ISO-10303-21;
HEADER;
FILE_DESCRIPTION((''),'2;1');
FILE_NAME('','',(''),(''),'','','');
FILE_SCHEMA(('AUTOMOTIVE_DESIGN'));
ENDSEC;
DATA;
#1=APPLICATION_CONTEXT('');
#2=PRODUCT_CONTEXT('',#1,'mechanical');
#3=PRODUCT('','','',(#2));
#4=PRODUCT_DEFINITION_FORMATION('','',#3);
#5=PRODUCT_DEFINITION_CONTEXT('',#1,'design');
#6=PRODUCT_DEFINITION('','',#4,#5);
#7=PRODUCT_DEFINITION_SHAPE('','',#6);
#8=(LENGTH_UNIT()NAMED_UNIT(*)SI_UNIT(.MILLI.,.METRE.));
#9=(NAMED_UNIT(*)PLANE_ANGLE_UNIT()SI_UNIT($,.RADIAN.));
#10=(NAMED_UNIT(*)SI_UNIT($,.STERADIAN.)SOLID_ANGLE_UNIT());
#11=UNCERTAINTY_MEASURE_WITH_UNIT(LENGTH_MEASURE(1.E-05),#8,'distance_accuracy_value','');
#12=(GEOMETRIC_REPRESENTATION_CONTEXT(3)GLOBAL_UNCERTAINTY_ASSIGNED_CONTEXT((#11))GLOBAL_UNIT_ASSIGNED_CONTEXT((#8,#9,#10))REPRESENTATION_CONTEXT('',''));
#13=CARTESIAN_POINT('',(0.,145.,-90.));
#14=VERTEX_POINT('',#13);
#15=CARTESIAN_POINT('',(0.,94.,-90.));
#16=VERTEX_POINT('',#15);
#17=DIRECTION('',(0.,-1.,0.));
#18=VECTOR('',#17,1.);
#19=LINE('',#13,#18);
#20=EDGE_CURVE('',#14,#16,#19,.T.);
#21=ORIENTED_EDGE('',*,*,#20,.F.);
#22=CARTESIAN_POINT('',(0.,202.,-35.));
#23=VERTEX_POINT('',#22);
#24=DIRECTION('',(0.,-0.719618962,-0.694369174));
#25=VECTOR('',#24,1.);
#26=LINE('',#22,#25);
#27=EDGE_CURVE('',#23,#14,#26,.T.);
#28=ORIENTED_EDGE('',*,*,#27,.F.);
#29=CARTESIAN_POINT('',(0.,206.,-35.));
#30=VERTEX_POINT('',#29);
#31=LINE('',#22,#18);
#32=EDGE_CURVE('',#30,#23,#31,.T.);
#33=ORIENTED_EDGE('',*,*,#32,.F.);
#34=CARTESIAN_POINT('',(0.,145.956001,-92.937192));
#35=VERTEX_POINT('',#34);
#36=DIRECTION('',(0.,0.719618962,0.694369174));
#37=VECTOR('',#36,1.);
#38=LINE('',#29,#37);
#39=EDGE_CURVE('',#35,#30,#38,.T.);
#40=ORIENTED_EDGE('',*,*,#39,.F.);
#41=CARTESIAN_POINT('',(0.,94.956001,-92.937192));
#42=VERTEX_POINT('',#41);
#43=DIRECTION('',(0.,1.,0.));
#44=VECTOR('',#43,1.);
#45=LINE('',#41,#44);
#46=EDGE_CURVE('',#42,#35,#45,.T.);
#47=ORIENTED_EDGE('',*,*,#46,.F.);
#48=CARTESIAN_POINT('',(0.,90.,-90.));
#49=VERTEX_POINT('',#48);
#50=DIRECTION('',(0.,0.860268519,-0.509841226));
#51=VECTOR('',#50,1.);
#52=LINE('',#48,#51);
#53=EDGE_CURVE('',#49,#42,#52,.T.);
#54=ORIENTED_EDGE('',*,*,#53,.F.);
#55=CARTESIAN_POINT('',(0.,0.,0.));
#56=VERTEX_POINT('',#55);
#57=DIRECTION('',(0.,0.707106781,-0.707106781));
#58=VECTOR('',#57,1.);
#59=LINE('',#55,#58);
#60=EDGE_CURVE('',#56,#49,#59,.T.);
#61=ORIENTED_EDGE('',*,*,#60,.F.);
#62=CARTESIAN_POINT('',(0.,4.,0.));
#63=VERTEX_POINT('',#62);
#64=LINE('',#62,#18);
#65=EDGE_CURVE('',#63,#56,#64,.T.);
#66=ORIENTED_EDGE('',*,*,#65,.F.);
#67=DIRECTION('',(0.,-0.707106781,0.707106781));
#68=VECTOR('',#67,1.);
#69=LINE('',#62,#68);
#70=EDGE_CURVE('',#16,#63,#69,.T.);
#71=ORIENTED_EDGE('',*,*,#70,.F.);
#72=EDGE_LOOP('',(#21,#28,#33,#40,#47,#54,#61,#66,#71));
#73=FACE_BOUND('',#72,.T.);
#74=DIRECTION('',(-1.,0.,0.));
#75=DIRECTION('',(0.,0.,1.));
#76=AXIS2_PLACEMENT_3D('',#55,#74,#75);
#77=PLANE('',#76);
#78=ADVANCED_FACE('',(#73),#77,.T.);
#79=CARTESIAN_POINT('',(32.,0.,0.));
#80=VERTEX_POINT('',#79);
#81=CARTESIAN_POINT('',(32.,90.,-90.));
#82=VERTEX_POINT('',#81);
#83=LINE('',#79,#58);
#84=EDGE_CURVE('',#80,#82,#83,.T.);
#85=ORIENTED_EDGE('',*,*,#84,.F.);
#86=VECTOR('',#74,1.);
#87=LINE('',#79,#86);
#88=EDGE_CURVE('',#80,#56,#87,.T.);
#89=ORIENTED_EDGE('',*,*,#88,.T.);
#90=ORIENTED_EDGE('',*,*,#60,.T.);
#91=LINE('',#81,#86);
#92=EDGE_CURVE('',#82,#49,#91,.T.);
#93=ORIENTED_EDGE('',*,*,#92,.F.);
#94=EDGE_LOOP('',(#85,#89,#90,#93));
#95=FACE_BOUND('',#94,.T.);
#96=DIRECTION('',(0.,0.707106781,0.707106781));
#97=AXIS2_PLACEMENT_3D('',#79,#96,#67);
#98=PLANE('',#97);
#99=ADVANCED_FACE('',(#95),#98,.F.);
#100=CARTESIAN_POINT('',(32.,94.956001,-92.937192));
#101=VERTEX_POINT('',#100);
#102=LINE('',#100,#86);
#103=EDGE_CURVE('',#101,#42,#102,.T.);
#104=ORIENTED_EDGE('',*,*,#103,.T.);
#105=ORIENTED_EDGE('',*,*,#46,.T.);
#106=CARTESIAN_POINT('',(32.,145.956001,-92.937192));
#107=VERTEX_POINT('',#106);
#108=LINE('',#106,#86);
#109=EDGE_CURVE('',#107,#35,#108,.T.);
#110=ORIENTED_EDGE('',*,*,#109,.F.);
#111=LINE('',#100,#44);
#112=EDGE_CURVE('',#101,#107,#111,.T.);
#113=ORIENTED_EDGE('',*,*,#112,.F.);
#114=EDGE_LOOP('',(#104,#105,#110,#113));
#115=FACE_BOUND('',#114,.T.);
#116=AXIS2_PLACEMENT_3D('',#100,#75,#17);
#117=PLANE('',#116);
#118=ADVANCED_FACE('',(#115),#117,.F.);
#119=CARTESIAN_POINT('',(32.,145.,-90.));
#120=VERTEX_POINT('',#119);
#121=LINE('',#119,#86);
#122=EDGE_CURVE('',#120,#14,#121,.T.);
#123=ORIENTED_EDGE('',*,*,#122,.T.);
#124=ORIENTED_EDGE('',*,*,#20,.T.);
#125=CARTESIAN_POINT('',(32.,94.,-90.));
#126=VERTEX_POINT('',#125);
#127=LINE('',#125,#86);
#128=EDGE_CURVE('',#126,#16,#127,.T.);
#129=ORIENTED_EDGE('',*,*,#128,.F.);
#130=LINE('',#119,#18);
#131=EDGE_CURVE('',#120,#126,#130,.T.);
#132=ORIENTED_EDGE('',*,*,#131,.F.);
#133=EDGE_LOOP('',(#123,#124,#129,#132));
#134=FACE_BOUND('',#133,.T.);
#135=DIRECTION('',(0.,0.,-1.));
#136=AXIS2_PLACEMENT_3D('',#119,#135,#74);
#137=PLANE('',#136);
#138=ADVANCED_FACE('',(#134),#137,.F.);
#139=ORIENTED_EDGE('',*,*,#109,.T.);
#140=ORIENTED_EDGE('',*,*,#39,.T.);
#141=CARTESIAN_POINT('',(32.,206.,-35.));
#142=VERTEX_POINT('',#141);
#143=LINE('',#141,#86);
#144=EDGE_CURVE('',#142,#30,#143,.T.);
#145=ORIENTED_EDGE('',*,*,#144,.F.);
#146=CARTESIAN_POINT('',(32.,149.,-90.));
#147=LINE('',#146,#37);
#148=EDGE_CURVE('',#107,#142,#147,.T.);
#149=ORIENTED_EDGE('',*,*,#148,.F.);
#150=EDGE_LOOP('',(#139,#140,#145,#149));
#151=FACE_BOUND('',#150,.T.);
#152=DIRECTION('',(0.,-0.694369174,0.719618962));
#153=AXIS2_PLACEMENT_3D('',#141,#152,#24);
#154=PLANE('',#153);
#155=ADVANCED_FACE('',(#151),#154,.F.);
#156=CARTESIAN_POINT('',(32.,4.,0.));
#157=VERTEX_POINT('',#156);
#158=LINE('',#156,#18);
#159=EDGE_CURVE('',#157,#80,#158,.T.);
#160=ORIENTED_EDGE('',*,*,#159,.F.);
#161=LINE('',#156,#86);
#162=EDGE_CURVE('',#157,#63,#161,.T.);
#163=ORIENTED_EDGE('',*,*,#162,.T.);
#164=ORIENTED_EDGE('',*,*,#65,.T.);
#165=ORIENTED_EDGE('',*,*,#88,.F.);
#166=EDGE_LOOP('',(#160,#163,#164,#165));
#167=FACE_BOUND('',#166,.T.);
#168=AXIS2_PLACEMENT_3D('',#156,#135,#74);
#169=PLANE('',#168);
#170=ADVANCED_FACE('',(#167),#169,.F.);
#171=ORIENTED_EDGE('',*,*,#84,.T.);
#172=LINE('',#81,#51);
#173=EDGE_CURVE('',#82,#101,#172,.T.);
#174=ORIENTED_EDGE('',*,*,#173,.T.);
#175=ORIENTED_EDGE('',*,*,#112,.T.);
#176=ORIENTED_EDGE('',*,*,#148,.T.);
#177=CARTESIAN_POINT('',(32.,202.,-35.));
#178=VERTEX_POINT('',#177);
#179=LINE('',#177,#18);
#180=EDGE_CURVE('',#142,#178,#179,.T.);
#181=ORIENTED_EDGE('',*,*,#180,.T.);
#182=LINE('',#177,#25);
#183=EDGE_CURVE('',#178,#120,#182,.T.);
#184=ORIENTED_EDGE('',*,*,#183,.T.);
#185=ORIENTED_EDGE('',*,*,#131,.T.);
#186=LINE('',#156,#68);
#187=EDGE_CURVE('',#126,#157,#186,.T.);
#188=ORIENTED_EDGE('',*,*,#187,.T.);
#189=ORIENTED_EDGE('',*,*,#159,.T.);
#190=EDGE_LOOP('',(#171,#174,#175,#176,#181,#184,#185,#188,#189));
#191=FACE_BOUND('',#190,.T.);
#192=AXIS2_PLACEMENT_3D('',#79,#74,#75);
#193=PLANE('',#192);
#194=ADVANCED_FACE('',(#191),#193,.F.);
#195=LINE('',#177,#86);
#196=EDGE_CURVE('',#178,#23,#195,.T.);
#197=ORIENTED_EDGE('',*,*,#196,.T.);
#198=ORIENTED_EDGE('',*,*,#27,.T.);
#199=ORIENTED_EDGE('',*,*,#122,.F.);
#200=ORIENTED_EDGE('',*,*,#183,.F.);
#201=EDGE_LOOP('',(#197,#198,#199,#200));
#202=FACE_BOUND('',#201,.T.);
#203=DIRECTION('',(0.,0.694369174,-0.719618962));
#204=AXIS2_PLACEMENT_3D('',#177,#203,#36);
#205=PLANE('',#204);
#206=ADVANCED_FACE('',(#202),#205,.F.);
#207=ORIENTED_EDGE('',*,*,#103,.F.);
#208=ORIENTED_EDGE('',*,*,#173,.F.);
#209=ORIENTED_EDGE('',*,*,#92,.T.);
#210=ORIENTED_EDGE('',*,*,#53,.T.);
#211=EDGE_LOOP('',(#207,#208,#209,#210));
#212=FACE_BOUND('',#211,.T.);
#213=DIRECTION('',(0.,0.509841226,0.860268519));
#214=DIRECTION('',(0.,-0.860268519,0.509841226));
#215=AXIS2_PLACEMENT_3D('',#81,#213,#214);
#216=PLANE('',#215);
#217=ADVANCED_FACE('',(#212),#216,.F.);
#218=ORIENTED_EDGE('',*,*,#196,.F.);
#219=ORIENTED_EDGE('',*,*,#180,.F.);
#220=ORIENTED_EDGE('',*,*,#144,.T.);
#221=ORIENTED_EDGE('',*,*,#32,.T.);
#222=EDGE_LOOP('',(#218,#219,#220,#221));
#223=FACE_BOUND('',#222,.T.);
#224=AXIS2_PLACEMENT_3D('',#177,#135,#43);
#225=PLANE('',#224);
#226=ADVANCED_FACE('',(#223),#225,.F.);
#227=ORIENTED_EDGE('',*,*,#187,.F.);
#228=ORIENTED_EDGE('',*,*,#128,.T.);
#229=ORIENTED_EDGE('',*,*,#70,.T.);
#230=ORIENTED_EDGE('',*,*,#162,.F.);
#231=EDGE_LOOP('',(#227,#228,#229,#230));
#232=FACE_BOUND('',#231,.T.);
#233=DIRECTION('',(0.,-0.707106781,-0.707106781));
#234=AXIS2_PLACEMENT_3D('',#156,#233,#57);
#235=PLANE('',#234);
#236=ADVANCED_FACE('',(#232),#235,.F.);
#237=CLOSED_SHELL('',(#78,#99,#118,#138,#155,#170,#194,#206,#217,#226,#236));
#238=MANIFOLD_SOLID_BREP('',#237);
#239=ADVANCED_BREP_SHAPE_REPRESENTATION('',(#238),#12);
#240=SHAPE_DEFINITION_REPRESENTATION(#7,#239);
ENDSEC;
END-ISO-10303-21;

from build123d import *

# Parameters (mm, degrees)
EXTRUDE_1_DEPTH = 32


with BuildPart() as part:
    # 草图3 → 凸台-拉伸1 (new body)
    with BuildSketch(Plane(origin=(0, 0, 0), x_dir=(0, 0, -1), z_dir=(1, 0, 0))):
        Polygon((0, 4), (0, 0), (90, 90), (92.937191873, 94.95600115), (92.937191873, 145.95600115), (90, 149), (35, 206), (35, 202), (90, 145), (90, 94), align=None)
    extrude(amount=EXTRUDE_1_DEPTH)


solid = part.part
